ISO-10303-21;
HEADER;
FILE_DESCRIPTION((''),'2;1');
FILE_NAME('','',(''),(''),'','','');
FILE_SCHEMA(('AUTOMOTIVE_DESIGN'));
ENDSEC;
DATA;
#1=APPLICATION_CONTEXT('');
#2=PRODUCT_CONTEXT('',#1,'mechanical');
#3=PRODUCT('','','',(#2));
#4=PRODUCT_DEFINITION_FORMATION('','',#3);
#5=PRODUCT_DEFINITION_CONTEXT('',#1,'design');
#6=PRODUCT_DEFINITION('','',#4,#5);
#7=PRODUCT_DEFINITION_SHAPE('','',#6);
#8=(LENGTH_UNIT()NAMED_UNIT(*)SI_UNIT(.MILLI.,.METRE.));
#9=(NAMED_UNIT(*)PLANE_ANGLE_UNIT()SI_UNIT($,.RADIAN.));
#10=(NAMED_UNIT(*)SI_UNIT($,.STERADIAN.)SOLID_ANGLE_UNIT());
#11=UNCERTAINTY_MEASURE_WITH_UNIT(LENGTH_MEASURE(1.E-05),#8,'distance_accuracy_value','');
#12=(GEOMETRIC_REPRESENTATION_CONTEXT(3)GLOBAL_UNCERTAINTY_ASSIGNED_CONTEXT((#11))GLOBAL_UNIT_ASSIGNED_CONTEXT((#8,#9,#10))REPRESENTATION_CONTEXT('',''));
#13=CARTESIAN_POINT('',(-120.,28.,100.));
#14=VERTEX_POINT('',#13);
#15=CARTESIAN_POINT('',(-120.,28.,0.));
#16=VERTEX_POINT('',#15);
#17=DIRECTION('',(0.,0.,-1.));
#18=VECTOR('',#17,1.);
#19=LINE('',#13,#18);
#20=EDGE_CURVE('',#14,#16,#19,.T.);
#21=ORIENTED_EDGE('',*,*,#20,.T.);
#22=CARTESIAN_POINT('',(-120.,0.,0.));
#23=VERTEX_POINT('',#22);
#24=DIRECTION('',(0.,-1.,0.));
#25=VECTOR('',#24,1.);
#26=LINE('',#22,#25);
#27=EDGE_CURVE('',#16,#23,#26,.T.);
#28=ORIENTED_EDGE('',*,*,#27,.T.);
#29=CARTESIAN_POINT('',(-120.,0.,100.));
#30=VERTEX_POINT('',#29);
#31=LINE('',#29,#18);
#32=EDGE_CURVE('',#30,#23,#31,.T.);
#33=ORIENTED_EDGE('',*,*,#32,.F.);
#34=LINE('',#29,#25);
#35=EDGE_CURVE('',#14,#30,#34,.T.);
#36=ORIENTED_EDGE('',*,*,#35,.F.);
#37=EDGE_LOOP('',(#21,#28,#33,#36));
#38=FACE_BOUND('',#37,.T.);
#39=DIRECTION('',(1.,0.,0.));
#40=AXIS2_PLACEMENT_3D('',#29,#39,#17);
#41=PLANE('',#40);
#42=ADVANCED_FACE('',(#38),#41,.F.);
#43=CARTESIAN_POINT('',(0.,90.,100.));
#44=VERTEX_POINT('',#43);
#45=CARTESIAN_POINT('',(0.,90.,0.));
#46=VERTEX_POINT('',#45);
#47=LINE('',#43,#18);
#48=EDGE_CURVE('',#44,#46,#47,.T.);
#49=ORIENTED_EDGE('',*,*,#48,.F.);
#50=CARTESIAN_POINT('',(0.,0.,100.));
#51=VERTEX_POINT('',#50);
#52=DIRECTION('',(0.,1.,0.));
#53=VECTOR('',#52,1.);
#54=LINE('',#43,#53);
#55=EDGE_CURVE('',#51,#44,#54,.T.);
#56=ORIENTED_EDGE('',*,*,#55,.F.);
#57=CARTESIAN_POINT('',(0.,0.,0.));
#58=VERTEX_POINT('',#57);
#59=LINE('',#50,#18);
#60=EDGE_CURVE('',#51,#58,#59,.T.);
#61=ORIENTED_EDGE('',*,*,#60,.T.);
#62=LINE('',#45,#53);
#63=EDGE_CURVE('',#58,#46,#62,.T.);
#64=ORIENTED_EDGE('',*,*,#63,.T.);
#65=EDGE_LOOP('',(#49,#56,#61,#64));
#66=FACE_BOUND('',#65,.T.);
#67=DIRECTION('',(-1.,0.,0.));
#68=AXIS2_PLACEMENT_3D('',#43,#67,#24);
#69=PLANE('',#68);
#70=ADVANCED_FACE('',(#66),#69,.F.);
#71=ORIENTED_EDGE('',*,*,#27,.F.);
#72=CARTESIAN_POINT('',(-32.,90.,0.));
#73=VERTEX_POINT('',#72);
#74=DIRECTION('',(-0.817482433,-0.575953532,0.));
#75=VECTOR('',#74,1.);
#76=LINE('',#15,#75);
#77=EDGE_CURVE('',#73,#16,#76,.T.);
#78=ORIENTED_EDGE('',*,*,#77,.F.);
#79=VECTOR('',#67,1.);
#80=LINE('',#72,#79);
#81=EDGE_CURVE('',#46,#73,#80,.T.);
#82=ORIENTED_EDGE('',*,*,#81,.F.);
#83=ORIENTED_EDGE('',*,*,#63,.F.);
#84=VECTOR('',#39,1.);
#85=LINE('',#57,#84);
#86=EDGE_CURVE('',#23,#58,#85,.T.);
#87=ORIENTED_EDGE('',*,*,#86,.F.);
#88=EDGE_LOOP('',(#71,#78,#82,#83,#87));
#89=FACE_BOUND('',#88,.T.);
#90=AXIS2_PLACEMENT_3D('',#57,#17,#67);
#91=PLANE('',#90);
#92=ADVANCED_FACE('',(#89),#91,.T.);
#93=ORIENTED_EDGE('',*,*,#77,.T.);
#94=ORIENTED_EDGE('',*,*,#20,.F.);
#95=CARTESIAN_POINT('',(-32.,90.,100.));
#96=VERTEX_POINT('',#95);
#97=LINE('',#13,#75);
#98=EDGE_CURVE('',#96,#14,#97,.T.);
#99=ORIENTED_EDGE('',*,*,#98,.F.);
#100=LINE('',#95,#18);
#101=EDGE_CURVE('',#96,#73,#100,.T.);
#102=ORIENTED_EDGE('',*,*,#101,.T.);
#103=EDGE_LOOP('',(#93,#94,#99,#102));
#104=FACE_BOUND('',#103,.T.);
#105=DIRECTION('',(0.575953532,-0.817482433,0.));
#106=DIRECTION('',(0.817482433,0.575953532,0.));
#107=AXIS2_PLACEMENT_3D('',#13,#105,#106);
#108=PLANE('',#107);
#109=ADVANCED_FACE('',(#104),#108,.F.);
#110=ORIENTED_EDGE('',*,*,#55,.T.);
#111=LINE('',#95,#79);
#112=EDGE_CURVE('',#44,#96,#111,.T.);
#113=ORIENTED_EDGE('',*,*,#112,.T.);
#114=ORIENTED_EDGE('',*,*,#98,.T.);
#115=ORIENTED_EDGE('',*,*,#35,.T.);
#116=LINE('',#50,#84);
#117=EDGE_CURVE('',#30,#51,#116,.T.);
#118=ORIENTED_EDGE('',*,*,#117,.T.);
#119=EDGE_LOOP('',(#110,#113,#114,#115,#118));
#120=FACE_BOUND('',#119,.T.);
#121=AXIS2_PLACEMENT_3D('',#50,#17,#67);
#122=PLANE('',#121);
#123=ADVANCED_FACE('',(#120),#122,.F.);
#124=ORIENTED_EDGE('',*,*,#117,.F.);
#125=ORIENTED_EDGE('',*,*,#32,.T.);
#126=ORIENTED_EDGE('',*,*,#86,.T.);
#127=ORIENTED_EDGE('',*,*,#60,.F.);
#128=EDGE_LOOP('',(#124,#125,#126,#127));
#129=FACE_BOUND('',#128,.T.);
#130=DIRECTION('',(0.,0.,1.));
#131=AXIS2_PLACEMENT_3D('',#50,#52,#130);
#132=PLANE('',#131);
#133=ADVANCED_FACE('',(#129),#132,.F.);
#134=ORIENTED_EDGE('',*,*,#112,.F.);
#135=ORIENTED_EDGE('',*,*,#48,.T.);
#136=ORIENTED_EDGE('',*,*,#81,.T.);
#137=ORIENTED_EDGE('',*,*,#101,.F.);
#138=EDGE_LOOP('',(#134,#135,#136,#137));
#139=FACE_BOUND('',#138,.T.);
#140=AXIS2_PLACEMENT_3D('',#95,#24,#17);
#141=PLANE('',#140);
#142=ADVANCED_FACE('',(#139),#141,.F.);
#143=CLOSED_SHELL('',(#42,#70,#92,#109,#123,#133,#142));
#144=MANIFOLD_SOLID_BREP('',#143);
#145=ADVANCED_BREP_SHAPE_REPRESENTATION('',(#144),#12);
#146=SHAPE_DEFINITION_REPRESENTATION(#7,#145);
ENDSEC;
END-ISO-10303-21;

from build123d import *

# Parameters (mm, degrees)
BOSS_EXTRU_1_DEPTH = 100


with BuildPart() as part:
    # Esquisse1 → Boss.-Extru.1 (new body)
    with BuildSketch(Plane.XY):
        Polygon((0, 0), (-120, 0), (-120, 28), (-32, 90), (0, 90), align=None)
    extrude(amount=BOSS_EXTRU_1_DEPTH)


solid = part.part
